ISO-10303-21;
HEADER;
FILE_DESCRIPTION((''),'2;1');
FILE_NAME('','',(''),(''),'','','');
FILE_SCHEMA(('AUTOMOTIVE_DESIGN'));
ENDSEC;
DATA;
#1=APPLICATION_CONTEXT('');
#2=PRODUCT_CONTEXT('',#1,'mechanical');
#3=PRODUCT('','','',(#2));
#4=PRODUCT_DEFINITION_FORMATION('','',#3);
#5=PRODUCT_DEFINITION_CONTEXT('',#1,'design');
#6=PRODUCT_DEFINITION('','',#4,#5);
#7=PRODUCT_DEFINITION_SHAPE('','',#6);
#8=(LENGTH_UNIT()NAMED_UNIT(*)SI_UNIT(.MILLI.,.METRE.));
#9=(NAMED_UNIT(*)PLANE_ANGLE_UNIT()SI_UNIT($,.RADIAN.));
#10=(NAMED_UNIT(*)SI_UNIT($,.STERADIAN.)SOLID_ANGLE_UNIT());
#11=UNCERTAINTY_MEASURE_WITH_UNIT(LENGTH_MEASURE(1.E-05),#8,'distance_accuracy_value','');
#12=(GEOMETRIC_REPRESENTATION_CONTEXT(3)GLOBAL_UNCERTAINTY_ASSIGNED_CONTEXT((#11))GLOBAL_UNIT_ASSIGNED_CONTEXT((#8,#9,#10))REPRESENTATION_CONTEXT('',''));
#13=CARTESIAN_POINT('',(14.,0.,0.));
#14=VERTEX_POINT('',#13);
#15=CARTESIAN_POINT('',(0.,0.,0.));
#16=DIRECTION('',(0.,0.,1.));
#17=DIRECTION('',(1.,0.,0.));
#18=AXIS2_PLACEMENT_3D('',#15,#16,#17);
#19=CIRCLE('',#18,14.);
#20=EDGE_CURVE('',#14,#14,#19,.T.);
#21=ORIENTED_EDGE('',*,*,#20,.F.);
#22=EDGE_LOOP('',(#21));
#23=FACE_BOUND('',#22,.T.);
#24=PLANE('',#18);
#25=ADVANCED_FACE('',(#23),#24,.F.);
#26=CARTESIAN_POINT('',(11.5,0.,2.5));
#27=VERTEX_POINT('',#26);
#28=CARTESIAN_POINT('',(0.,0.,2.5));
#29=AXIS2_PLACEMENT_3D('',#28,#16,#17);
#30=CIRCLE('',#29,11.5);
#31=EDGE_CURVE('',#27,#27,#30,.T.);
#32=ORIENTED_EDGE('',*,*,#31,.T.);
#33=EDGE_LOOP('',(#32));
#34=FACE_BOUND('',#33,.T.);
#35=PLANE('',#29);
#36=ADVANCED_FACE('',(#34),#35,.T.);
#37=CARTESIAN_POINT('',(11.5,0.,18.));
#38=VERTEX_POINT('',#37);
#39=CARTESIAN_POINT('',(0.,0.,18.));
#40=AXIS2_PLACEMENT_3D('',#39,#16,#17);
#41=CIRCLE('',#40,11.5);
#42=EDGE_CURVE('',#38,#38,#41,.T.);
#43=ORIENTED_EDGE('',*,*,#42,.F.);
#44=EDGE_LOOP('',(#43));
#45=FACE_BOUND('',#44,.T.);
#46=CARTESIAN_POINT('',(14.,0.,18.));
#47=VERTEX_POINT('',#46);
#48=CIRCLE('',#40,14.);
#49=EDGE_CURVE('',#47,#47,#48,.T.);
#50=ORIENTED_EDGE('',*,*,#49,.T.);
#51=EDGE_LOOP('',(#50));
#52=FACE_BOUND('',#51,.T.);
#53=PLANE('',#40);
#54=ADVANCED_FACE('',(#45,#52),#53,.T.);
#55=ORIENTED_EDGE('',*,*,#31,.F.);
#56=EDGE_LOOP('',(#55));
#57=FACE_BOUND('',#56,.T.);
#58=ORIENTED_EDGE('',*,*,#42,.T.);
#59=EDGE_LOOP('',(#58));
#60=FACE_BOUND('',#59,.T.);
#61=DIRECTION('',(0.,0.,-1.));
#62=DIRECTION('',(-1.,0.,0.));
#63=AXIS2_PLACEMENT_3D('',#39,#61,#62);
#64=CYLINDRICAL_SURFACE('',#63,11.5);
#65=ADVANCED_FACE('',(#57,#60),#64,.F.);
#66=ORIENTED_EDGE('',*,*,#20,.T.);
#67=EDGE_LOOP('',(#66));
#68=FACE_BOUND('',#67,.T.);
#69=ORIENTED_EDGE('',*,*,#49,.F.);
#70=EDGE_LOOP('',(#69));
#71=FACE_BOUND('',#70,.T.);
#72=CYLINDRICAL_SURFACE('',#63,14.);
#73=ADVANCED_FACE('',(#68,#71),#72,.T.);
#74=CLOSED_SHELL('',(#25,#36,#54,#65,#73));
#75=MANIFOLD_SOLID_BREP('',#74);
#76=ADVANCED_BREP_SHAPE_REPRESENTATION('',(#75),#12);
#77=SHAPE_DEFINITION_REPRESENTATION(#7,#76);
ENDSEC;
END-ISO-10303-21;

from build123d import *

# Parameters (mm, degrees)
SKETCH1_R           = 14
BOSS_EXTRUDE1_DEPTH = 18
SHELL1_T            = -2.5


with BuildPart() as part:
    # Sketch1 → Boss-Extrude1 (new body)
    with BuildSketch(Plane.XY):
        Circle(SKETCH1_R)
    extrude(amount=BOSS_EXTRUDE1_DEPTH)

    # Shell1
    shell1_openings = [part.faces().sort_by_distance(p)[0] for p in [
        (0, 0, 18),
    ]]
    offset(amount=SHELL1_T, openings=shell1_openings, kind=Kind.INTERSECTION)


solid = part.part
